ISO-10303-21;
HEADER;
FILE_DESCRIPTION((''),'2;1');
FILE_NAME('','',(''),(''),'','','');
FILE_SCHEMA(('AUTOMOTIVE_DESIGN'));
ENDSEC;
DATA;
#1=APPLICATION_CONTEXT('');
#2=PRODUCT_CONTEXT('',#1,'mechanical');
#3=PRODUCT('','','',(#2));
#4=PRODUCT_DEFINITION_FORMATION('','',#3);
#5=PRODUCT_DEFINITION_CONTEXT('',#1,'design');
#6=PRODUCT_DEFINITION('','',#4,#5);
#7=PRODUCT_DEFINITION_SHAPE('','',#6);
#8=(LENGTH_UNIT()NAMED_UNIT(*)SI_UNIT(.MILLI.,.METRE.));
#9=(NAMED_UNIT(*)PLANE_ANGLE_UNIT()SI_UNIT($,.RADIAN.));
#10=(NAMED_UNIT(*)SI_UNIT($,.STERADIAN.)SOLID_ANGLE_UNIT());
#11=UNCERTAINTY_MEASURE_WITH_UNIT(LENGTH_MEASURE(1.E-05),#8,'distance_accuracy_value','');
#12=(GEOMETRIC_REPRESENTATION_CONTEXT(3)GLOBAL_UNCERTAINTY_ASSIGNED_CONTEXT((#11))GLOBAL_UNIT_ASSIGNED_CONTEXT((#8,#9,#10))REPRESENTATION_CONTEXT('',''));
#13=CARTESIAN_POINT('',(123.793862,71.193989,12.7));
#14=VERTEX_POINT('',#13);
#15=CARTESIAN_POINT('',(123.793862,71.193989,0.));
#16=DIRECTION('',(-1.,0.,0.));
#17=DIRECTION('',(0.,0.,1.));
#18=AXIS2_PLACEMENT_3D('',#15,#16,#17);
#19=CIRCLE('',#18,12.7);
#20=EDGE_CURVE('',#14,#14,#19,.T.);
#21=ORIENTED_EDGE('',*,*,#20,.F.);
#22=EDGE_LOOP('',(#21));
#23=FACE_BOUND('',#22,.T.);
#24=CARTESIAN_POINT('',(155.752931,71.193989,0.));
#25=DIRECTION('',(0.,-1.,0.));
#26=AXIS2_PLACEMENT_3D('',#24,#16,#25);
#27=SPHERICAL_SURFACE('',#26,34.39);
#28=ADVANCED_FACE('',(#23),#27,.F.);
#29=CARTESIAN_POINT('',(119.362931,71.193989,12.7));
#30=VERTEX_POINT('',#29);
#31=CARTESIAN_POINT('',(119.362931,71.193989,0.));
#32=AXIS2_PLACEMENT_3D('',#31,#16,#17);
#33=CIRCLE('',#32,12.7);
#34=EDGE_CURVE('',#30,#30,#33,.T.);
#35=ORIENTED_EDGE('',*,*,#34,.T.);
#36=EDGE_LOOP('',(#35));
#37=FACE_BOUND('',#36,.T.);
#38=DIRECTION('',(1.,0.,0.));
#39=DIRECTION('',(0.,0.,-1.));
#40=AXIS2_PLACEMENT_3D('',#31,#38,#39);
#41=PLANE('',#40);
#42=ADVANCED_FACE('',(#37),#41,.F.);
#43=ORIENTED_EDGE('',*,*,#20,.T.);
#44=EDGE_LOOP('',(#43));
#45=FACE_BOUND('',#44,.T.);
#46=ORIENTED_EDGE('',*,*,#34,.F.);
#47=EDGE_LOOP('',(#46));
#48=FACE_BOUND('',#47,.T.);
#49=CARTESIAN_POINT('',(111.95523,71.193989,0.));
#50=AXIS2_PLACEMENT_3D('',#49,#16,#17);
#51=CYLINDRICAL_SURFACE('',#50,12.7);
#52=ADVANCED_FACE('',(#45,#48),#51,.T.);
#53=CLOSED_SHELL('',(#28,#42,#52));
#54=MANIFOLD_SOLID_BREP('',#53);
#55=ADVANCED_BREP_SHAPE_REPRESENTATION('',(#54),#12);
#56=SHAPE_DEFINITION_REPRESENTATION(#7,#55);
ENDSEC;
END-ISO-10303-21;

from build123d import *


with BuildPart() as part:
    # 草图1 → 旋转1 (revolve)
    with BuildSketch(Plane.XY, mode=Mode.PRIVATE) as revolve_1_sk:
        with BuildLine():
            Line((119.362930792, 71.193989087), (119.362930792, 83.893989087))
            Line((119.362930792, 83.893989087), (123.793861657, 83.893989087))
            ThreePointArc((123.793861657, 83.893989087), (121.976130414, 77.659269917), (121.362930792, 71.193989087))
            Line((121.362930792, 71.193989087), (119.362930792, 71.193989087))
        make_face()
    revolve(revolve_1_sk.sketch.rotate(Axis((111.955229758, 71.193989087, 0), (1, 0, 0)), 180), axis=Axis((111.955229758, 71.193989087, 0), (1, 0, 0)))  # turned: the seam where the file's is


solid = part.part
